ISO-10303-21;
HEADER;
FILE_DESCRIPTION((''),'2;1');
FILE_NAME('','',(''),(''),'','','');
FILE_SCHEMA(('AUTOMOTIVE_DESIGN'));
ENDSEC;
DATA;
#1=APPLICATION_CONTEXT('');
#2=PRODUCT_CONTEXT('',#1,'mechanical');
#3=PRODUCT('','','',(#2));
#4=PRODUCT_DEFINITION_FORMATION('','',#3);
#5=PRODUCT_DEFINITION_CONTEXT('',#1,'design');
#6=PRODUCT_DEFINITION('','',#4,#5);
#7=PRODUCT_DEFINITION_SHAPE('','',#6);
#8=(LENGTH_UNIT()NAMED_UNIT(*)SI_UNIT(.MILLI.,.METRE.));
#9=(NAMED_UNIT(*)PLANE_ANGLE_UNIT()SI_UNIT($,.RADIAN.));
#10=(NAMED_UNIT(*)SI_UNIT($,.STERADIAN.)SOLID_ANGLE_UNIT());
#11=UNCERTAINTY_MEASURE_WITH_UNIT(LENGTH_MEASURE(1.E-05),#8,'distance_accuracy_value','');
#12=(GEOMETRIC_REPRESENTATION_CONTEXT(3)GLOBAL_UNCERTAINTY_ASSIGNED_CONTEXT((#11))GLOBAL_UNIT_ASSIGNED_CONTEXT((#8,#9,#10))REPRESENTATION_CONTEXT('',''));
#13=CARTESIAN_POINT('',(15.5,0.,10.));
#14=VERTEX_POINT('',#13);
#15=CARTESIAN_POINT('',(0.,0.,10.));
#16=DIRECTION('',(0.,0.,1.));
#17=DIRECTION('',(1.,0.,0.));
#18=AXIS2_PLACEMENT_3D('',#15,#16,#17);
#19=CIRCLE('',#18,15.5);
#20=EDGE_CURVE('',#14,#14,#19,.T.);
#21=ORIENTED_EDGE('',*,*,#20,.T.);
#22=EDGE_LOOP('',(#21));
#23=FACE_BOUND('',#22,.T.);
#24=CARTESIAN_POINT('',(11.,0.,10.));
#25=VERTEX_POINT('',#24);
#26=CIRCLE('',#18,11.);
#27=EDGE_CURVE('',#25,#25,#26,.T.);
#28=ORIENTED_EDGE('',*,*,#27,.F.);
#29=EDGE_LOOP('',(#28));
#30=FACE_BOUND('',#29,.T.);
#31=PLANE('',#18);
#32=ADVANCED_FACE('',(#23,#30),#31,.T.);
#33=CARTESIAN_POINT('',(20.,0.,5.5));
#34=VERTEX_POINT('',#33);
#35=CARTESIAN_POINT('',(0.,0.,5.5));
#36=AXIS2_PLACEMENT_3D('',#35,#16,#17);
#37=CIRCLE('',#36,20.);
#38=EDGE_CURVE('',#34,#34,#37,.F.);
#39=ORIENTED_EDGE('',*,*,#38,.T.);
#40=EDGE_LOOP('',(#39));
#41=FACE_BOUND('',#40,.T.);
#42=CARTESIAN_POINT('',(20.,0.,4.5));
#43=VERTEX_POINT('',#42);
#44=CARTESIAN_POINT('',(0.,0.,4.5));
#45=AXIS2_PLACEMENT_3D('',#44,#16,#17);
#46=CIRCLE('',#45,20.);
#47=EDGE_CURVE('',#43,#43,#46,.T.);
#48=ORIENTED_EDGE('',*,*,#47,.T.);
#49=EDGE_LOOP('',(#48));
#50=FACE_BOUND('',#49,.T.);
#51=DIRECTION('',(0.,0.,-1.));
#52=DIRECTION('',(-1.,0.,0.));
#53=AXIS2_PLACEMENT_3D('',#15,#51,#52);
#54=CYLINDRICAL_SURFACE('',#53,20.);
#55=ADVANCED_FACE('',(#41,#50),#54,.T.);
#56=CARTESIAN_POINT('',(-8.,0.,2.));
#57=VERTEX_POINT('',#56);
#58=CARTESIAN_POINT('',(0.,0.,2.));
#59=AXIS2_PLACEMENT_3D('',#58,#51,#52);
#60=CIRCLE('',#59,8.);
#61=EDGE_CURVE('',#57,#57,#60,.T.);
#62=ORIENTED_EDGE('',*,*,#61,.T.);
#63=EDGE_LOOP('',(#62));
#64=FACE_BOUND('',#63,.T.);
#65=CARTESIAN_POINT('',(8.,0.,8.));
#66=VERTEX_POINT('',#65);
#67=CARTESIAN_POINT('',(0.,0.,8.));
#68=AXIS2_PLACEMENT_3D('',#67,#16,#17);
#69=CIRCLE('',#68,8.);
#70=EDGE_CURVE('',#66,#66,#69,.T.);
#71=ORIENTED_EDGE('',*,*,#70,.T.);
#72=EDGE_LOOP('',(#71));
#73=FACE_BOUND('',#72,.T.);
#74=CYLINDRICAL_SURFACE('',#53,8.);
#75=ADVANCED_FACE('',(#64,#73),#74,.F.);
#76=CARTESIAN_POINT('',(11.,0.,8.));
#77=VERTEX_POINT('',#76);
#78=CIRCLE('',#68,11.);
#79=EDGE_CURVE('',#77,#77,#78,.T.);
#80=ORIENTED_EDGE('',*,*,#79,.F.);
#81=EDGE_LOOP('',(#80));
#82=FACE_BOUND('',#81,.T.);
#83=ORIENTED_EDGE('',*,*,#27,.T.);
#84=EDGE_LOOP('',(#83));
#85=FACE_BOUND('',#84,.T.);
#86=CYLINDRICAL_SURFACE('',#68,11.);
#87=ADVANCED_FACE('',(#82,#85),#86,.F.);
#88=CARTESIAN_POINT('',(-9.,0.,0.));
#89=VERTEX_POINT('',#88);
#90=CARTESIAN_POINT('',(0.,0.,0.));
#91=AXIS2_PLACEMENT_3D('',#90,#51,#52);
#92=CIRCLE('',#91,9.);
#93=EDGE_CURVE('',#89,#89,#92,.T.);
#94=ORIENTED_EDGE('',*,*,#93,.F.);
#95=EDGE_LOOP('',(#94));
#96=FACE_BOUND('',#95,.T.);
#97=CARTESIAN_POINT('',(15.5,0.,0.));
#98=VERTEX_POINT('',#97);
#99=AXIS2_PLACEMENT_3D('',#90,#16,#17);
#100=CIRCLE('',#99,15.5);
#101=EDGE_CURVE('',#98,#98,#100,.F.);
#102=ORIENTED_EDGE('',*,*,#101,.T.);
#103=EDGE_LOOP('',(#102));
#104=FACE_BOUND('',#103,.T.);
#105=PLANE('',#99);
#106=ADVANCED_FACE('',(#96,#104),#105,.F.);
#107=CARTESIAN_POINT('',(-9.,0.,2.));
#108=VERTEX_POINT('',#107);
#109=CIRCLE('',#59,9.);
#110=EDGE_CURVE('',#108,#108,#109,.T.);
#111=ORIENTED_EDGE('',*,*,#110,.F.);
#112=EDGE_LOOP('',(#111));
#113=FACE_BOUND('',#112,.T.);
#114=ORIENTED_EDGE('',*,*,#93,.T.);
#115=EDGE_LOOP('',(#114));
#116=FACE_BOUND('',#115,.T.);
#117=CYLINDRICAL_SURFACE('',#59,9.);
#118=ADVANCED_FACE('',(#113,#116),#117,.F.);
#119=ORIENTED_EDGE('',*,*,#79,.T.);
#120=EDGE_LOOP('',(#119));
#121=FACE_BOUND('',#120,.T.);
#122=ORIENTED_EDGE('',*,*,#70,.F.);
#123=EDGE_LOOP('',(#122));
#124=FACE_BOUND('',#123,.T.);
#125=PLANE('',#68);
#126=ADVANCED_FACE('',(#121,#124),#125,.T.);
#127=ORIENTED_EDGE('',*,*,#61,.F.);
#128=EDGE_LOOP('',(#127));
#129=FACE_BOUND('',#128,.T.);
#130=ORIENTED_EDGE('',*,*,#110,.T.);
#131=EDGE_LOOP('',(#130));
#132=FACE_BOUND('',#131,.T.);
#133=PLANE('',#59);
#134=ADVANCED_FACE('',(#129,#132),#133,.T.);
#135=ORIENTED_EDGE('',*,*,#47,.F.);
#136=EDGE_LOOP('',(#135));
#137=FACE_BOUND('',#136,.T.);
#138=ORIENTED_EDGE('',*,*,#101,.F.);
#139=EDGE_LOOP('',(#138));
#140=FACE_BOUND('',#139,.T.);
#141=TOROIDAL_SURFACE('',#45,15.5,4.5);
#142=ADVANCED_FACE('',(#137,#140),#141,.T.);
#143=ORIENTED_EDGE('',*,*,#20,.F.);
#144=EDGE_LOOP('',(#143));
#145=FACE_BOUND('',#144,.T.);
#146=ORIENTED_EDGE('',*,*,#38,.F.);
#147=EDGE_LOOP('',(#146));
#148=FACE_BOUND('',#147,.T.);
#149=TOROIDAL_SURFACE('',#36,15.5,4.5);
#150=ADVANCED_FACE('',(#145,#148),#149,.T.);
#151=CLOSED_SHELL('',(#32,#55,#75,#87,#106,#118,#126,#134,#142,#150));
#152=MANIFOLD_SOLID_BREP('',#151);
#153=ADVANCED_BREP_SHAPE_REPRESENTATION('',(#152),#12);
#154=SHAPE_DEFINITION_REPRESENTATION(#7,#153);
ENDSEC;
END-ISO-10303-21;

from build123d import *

# Parameters (mm, degrees)
SKETCH1_R           = 20
SKETCH1_R_2         = 8
BOSS_EXTRUDE1_DEPTH = 10
FILLET1_R           = 4.5
SKETCH2_R           = 9
CUT_EXTRUDE1_DEPTH  = 2
SKETCH5_R           = 11
CUT_EXTRUDE2_DEPTH  = 2


with BuildPart() as part:
    # Sketch1 → Boss-Extrude1 (new body)
    with BuildSketch(Plane.XY):
        Circle(SKETCH1_R)
        Circle(SKETCH1_R_2, mode=Mode.SUBTRACT)
    extrude(amount=BOSS_EXTRUDE1_DEPTH)

    # Fillet1
    fillet1_edges = [part.edges().sort_by_distance(p)[0] for p in [
        (-20, 0, 0),
        (-20, 0, 10),
    ]]
    fillet(fillet1_edges, radius=FILLET1_R)

    # Sketch2 → Cut-Extrude1 (cut)
    with BuildSketch(Plane(origin=(0, 0, 0), x_dir=(-1, 0, 0), z_dir=(0, 0, -1))):
        Circle(SKETCH2_R)
    extrude(amount=-CUT_EXTRUDE1_DEPTH, mode=Mode.SUBTRACT)

    # Sketch5 → Cut-Extrude2 (cut)
    with BuildSketch(Plane.XY.offset(10)):
        Circle(SKETCH5_R)
    extrude(amount=-CUT_EXTRUDE2_DEPTH, mode=Mode.SUBTRACT)


solid = part.part
